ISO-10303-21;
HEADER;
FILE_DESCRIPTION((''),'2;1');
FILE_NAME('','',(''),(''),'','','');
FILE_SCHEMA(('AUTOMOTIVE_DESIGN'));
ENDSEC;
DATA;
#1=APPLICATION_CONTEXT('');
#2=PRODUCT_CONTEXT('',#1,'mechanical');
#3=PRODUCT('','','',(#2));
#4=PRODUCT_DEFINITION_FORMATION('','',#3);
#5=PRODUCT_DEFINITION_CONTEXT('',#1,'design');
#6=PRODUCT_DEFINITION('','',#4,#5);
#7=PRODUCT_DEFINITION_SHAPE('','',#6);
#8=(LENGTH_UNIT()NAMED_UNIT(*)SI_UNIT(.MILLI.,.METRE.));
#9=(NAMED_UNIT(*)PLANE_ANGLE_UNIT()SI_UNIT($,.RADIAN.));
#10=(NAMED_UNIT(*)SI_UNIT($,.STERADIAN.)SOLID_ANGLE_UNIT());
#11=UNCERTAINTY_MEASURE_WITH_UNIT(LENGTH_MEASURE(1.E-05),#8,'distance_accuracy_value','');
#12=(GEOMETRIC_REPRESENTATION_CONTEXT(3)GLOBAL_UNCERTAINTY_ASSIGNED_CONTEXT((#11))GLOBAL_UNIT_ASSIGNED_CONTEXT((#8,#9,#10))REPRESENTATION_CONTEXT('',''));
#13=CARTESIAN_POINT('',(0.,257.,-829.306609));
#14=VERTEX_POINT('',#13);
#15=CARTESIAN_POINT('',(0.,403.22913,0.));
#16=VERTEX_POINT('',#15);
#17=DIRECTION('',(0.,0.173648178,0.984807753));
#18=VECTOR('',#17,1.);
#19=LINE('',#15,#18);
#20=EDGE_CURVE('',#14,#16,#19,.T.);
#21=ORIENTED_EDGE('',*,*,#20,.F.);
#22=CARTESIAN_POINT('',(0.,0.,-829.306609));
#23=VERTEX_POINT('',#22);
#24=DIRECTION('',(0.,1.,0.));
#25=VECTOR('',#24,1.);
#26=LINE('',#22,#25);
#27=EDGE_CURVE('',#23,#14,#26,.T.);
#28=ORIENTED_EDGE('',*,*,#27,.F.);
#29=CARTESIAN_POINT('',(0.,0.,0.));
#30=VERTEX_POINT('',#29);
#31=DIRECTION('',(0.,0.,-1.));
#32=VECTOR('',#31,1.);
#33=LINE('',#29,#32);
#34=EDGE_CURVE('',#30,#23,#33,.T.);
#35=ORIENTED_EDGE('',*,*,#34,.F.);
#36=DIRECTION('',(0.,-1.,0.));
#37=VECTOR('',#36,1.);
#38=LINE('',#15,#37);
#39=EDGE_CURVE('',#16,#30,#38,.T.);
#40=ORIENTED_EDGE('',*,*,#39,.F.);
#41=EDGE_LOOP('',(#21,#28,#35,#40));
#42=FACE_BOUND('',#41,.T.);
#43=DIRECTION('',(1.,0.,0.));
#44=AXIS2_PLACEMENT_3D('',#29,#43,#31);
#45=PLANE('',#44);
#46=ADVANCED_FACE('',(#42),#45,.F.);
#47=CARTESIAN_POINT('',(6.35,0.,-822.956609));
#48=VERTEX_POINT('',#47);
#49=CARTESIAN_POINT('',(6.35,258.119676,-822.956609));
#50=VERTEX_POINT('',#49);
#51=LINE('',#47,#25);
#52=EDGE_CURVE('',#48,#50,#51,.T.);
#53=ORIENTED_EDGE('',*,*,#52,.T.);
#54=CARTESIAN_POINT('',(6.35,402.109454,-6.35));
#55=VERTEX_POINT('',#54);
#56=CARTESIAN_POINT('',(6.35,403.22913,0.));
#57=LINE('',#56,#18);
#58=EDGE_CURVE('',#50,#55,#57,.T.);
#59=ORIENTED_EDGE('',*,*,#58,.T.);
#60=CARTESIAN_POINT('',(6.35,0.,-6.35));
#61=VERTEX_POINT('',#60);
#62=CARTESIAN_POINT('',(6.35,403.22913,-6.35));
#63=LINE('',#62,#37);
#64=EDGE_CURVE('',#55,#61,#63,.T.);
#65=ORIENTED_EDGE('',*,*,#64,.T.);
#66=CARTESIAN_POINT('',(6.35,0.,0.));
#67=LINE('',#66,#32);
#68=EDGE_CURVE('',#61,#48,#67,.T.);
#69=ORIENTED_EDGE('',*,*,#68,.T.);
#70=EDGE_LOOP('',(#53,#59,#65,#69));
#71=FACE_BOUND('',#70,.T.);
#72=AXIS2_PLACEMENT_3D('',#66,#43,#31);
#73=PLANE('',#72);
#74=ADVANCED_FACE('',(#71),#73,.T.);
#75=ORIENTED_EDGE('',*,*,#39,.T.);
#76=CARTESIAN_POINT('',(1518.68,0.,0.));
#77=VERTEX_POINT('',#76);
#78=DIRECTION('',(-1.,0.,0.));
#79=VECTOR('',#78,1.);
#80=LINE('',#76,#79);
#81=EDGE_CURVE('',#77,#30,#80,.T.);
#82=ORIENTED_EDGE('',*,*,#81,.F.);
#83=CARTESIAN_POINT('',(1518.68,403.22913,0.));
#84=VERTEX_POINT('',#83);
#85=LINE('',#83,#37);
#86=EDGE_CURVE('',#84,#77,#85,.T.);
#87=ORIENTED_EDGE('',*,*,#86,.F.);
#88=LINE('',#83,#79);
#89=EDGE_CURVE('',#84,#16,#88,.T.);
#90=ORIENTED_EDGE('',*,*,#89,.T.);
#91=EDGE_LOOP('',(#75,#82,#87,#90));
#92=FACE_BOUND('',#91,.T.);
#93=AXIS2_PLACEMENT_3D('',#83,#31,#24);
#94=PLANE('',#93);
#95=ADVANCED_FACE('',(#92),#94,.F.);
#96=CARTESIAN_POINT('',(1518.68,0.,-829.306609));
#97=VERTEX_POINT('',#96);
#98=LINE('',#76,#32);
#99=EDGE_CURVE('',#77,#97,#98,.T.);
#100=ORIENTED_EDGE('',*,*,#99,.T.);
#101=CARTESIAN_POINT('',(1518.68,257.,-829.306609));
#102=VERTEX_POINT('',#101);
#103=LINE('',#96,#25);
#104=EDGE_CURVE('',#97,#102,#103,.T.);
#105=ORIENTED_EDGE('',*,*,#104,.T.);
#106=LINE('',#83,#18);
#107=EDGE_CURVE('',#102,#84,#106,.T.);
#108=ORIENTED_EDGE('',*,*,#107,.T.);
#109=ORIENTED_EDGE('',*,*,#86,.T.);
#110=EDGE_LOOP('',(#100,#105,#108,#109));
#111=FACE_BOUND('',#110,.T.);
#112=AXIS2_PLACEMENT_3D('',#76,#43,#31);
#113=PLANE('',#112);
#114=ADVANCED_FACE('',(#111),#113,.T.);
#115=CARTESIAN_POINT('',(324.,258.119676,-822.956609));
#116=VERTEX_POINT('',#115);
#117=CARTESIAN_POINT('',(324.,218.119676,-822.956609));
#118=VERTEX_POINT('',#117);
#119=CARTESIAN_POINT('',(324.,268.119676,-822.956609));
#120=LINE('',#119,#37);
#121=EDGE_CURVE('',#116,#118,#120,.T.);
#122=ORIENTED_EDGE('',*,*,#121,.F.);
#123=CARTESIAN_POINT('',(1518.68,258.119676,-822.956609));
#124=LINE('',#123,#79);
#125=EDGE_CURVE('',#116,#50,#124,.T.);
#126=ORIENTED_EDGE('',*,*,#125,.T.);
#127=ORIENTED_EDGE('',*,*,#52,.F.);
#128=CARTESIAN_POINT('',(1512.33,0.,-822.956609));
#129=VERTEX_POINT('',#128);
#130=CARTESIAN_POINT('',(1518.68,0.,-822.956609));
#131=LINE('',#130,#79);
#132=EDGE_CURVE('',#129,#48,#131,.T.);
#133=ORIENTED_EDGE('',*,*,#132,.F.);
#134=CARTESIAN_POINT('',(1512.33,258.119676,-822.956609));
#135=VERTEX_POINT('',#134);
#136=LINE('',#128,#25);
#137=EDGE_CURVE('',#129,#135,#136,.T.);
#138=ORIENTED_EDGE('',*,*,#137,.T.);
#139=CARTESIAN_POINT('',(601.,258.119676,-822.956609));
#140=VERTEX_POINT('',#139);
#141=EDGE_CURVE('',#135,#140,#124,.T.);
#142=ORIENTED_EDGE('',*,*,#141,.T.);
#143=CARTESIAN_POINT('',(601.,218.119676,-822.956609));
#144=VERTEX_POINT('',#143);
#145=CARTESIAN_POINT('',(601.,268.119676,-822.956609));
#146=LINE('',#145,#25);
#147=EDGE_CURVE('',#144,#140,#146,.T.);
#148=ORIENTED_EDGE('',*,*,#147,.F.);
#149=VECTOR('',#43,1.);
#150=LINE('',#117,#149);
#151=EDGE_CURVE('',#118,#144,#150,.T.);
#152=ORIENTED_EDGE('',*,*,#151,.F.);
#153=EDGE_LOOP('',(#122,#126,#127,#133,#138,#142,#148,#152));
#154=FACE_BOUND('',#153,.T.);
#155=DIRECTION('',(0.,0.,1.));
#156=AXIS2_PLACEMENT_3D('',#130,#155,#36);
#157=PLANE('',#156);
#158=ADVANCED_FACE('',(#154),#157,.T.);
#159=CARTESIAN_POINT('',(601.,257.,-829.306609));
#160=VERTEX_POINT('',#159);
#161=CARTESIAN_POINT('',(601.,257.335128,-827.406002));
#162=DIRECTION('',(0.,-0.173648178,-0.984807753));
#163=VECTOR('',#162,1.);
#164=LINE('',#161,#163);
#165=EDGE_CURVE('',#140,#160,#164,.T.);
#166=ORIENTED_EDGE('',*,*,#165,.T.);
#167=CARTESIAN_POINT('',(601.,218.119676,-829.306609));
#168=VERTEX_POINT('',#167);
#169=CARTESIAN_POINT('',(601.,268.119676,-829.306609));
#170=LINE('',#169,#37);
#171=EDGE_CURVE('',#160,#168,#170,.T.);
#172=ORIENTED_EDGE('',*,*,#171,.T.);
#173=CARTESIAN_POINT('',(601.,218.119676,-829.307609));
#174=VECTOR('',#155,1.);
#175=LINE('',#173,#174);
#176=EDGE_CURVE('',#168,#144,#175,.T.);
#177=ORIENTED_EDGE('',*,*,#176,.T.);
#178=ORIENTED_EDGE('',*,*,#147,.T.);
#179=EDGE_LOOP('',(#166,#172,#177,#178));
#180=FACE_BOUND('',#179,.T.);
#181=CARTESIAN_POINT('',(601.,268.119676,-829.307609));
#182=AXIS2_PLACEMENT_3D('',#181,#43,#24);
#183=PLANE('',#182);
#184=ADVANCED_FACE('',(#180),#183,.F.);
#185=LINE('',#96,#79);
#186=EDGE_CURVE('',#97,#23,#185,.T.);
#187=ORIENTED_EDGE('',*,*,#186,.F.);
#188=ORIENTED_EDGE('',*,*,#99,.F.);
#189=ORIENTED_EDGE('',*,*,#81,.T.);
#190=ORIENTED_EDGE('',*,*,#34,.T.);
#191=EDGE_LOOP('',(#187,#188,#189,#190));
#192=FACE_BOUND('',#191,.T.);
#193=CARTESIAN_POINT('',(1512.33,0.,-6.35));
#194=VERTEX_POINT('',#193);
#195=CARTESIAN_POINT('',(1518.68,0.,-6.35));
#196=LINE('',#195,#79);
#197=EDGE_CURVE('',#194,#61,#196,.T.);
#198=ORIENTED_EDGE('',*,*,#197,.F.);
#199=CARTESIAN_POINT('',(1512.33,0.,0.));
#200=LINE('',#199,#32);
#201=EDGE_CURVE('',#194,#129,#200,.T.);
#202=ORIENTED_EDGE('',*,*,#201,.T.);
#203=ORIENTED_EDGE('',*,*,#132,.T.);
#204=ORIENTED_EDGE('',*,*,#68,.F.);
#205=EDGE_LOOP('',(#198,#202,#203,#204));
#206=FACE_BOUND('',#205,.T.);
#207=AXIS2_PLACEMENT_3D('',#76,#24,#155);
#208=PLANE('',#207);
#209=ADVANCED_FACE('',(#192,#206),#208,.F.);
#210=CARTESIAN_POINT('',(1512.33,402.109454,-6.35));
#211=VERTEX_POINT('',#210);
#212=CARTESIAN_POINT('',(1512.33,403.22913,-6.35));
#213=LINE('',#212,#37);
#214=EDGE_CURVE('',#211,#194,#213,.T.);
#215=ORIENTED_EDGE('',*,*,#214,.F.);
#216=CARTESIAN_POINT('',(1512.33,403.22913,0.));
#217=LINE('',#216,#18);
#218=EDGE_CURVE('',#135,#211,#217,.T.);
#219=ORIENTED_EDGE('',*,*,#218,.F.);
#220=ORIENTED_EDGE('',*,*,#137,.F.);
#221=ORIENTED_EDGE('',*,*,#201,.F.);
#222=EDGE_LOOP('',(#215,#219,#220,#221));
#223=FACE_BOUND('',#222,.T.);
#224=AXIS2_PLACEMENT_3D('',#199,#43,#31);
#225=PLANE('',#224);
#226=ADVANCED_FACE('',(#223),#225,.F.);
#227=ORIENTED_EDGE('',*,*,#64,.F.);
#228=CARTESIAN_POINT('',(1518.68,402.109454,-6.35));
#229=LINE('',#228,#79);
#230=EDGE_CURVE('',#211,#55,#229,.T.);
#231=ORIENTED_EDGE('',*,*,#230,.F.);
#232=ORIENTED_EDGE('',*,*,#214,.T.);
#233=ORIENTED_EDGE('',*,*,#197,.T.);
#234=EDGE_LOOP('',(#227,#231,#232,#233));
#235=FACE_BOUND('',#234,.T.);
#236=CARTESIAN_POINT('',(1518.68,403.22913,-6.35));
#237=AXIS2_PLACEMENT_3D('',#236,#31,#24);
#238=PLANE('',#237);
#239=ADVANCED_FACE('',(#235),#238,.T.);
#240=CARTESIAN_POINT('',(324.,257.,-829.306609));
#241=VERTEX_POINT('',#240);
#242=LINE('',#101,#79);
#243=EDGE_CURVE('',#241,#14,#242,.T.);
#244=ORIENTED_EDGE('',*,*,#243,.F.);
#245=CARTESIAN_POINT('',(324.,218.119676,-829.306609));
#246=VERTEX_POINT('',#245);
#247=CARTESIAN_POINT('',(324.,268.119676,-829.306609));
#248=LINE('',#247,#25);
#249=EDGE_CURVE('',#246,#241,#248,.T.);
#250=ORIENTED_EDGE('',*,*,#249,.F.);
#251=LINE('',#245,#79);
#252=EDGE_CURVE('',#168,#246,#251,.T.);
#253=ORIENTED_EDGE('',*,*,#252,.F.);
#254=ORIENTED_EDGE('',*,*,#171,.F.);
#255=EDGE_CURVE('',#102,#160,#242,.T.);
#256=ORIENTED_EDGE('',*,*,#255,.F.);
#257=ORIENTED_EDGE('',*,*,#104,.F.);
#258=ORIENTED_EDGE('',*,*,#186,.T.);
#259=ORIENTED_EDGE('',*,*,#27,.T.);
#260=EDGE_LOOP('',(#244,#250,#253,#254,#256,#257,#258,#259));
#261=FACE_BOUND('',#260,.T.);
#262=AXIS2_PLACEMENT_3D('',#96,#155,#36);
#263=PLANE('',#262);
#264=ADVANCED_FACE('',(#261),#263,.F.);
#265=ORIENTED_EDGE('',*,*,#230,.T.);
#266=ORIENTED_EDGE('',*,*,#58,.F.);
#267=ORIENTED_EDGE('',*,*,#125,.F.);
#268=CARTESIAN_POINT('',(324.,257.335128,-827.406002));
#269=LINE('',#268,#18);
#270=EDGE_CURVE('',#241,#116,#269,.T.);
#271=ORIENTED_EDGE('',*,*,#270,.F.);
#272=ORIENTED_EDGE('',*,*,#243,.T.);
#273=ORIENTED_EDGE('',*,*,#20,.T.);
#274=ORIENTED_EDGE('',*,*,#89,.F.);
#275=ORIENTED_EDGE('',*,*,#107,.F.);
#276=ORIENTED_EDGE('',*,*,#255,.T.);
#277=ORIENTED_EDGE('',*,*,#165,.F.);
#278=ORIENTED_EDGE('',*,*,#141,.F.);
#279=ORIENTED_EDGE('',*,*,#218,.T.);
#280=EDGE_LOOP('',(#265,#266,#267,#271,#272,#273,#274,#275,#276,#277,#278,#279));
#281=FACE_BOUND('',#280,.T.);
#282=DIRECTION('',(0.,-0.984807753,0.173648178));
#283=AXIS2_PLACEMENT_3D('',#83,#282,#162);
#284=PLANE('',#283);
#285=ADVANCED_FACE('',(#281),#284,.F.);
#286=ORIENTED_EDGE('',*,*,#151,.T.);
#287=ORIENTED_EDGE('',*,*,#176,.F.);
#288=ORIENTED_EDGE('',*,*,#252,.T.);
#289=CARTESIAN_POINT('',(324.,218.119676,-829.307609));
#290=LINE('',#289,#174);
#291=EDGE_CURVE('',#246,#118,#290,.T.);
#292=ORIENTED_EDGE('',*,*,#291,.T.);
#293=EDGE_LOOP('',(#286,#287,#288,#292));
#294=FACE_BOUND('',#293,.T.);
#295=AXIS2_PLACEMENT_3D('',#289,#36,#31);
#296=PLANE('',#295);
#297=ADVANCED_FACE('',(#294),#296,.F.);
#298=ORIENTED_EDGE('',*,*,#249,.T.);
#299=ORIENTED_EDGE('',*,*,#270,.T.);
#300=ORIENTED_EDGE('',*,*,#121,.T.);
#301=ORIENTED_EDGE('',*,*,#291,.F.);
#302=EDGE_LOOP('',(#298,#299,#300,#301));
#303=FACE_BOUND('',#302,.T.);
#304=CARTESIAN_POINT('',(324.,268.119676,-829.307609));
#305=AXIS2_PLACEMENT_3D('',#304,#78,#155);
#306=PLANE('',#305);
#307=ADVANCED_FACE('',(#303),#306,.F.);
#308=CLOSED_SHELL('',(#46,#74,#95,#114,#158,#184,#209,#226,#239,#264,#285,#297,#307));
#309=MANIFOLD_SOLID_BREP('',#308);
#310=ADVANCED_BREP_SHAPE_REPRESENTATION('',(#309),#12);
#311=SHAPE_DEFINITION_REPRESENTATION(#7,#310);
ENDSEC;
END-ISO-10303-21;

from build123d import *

# Parameters (mm, degrees)
BOSS_EXTRUDE1_DEPTH = 1518.68
SHELL1_T            = -6.35
CUT_EXTRUDE2_REACH  = 1775.764
SKETCH3_W           = 277
SKETCH3_H           = 50


with BuildPart() as part:
    # Sketch1 → Boss-Extrude1 (new body)
    with BuildSketch(Plane(origin=(0, 0, 0), x_dir=(0, 0, -1), z_dir=(1, 0, 0))):
        Polygon((0, 403.229130413), (0, 0), (829.306608812, 0), (829.306608812, 257), align=None)
    extrude(amount=BOSS_EXTRUDE1_DEPTH)

    # Shell1
    shell1_openings = [part.faces().sort_by_distance(p)[0] for p in [
        (759.34, 330.114565207, -414.653304406),
        (759.34, 0, -414.653304406),
    ]]
    offset(amount=SHELL1_T, openings=shell1_openings, kind=Kind.INTERSECTION)

    # Sketch3 → Cut-Extrude2 (cut, up to next)
    with BuildSketch(Plane.XY.offset(-822.956608812), mode=Mode.PRIVATE) as cut_extrude2_sk1:
        with Locations((462.5, 243.119676327)):
            Rectangle(SKETCH3_W, SKETCH3_H)
    cut_extrude2_tool1 = extrude(cut_extrude2_sk1.sketch, amount=-CUT_EXTRUDE2_REACH, mode=Mode.PRIVATE) & part.part
    add(cut_extrude2_tool1.solids().sort_by_distance((462.5, 243.119676, -822.956609))[0], mode=Mode.SUBTRACT)


solid = part.part
